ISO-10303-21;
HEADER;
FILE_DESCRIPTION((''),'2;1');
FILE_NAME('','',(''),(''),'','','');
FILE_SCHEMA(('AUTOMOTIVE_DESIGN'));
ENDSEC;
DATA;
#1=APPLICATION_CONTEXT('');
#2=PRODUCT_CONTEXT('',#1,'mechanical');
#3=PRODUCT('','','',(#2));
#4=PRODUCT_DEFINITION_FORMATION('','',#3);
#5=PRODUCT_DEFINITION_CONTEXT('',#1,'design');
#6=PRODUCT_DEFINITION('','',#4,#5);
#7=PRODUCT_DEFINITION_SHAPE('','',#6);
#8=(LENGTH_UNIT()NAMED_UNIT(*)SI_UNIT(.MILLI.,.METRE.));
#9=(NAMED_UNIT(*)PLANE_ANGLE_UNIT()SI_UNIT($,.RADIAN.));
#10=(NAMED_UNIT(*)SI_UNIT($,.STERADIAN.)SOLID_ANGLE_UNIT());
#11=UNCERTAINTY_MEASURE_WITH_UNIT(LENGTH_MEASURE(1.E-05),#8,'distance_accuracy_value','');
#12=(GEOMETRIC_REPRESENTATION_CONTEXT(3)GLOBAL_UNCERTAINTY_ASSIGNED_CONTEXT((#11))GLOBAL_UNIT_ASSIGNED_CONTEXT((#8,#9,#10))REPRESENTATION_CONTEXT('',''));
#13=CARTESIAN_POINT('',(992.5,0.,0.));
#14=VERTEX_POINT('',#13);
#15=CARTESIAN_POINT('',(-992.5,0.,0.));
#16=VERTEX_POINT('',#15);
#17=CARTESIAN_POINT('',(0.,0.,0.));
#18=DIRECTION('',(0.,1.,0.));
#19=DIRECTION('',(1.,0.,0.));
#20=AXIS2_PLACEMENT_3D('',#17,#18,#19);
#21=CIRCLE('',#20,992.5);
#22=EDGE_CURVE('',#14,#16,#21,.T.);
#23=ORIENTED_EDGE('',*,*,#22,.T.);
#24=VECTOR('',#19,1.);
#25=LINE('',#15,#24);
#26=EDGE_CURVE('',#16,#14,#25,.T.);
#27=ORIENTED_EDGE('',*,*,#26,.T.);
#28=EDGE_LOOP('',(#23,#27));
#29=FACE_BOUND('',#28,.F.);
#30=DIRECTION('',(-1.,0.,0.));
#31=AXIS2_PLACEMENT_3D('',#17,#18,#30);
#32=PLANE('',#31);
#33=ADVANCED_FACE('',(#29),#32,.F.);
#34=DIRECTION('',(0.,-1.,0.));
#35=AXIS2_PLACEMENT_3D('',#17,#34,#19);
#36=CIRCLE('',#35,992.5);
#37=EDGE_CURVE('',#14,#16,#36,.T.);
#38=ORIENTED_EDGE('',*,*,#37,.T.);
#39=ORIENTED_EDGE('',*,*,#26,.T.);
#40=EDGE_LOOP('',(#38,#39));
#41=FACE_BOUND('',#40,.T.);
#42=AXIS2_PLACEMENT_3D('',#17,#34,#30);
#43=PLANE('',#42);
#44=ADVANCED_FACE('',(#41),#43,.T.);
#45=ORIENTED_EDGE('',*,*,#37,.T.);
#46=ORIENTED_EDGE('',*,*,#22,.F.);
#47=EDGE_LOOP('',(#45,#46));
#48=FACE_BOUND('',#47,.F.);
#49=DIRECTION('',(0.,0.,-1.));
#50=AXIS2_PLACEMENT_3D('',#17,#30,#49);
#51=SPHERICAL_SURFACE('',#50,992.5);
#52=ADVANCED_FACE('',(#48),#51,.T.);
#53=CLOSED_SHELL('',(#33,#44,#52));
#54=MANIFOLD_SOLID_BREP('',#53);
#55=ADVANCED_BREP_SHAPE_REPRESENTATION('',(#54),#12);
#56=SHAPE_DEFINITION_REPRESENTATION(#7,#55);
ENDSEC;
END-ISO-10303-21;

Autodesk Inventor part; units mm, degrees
ref_plane "YZ Plane" through (0, 0, 0) normal (1, 0, 0) x (0, 1, 0)
ref_plane "XZ Plane" through (0, 0, 0) normal (0, 1, 0) x (-1, 0, 0)
ref_plane "XY Plane" through (0, 0, 0) normal (0, 0, 1) x (1, 0, 0)
sketch "Sketch2" plane through (0, 0, 0) normal (0, 1, 0) x (-1, 0, 0)
  arc A0 (-992.5, 0) -> (992.5, 0) centre (0, 0) ccw
  line L0 (992.5, 0) -> (-992.5, 0)
  dimension "d0" = 1985
  dimension "d0" = 1985
revolve "Revolution1" add sketch "Sketch2" angle 180 about axis through (-992.5, 0, 0) along (1, 0, 0)
properties part number "nosecone"
